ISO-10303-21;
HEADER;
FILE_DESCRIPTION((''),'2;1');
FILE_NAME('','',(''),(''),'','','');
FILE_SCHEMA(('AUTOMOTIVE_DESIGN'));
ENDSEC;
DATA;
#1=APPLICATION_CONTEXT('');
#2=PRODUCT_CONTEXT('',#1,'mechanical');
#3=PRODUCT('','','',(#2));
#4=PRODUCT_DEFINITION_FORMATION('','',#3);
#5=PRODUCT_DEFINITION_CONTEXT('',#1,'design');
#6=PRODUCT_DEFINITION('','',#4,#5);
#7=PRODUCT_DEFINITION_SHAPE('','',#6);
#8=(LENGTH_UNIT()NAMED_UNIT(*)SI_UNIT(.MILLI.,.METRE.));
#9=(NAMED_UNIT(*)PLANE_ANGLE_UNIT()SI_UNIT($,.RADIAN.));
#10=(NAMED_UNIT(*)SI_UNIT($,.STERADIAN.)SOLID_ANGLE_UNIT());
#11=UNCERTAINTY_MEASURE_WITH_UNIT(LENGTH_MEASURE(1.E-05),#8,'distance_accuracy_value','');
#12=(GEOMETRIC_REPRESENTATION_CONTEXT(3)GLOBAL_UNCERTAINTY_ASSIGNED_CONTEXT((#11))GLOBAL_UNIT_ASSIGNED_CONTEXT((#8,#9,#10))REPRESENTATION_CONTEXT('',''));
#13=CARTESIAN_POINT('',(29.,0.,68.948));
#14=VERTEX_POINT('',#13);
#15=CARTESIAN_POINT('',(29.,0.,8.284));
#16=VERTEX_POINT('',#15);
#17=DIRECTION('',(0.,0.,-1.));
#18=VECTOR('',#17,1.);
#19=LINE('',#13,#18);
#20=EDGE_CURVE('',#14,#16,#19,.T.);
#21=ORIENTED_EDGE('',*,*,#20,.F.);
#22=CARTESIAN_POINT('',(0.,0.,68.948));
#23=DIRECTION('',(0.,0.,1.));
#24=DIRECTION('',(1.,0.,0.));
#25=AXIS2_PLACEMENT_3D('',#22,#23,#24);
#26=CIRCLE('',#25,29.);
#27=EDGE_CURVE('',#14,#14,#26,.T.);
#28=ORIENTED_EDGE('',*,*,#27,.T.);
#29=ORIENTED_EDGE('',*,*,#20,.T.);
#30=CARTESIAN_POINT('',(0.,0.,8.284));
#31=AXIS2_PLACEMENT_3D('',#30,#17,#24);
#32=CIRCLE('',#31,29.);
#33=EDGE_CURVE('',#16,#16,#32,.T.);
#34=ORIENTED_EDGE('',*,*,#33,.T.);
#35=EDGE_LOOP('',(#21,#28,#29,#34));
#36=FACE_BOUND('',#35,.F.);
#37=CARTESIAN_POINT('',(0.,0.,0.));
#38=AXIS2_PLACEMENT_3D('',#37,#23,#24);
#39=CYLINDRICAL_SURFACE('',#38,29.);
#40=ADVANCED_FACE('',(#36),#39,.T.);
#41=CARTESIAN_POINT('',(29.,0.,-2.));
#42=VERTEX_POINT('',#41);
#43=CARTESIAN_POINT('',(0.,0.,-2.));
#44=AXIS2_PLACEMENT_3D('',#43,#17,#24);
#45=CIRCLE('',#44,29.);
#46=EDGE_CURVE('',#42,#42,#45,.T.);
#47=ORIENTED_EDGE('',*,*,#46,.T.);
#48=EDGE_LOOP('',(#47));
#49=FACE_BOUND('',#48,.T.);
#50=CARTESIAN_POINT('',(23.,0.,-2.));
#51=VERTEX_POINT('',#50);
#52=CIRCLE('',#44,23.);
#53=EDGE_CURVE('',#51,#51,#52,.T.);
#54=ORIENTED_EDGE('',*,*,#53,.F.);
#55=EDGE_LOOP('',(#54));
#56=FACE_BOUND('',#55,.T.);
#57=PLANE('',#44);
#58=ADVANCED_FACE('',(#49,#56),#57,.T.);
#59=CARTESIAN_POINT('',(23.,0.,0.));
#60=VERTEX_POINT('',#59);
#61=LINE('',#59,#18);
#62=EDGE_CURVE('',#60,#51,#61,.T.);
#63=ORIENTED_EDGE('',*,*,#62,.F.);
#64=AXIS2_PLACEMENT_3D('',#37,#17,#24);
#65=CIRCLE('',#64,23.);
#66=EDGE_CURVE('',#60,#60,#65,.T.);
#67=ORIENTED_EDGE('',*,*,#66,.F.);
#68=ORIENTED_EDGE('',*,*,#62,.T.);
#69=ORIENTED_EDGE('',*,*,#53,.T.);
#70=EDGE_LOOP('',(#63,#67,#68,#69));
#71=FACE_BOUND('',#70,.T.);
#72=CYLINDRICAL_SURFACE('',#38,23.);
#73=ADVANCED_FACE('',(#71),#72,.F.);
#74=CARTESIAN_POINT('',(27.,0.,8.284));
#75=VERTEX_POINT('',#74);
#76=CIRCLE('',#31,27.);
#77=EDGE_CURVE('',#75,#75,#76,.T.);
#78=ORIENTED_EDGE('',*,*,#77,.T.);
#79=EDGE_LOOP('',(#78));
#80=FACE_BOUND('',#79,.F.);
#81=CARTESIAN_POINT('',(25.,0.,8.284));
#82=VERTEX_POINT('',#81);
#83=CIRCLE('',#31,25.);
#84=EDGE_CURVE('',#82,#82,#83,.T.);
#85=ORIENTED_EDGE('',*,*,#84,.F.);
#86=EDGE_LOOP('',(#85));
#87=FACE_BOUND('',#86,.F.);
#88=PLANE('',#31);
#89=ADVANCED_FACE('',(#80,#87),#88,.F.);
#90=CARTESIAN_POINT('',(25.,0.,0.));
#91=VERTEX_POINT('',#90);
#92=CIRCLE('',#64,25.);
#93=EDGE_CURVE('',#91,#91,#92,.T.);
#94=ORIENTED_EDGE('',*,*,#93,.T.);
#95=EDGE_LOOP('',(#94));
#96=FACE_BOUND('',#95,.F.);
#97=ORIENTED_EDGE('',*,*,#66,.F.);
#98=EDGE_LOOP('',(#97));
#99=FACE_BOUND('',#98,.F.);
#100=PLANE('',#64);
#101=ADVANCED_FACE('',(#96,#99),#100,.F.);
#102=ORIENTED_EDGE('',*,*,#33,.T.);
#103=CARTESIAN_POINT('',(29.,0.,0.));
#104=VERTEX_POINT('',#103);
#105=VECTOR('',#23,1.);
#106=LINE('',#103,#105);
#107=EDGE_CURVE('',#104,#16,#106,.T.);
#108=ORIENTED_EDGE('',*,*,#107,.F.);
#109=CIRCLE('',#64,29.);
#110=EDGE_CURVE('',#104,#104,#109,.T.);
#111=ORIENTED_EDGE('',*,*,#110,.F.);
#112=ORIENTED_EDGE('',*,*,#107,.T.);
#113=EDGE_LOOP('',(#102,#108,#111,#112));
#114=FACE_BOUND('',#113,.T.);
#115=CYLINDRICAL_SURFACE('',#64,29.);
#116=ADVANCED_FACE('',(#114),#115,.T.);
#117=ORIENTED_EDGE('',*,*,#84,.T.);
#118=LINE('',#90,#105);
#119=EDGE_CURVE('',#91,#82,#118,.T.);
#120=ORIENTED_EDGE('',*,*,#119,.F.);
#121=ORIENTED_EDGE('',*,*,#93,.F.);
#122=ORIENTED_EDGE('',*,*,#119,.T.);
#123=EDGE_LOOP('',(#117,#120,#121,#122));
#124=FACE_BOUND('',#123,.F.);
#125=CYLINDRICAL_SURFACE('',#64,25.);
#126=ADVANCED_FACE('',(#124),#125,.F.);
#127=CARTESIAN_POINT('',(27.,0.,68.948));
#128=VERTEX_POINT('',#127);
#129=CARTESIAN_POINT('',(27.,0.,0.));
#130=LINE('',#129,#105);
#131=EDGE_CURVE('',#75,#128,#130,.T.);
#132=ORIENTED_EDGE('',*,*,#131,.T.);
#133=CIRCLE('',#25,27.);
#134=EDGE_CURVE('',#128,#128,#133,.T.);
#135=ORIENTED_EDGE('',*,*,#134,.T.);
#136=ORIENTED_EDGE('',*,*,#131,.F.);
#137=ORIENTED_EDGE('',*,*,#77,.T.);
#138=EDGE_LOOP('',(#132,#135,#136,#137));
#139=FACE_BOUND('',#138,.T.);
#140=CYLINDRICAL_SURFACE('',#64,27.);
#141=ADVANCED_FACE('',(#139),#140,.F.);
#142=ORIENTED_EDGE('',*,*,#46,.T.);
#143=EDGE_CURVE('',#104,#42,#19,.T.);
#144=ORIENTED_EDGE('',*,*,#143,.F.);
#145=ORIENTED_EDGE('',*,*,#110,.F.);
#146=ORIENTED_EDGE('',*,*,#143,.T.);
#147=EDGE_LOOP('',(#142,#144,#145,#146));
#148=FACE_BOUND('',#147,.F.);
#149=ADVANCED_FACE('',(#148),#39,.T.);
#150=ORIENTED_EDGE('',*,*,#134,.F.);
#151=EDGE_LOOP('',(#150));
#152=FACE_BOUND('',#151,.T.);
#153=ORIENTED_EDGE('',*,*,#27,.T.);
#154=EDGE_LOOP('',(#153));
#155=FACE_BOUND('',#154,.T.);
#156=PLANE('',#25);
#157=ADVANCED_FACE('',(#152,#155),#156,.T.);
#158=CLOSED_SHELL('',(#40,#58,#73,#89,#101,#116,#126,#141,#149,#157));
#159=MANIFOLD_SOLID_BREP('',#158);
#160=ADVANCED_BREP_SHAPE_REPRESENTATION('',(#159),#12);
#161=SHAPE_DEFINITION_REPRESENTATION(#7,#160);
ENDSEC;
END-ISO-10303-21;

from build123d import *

# Parameters (mm, degrees)
F1_R     = 29
F1_R_2   = 27
F2_DEPTH = 68.948
F3_R     = 29
F3_R_2   = 25
F3_R_3   = 23
F4_DEPTH = 2
F5_DEPTH = 8.284


with BuildPart() as f2:
    # F1 (on face) → F2 (new body)
    with BuildSketch(Plane.XY):
        Circle(F1_R)
        Circle(F1_R_2, mode=Mode.SUBTRACT)
    extrude(amount=F2_DEPTH)

    # F3 (on face) → F4 (join)
    with BuildSketch(Plane(origin=(0, 0, 0), x_dir=(1, 0, 0), z_dir=(0, 0, -1))):
        Circle(F3_R)
        Circle(F3_R_2, mode=Mode.SUBTRACT)
        Circle(F3_R_2)
        Circle(F3_R_3, mode=Mode.SUBTRACT)
    extrude(amount=F4_DEPTH)

    # F3 (on face) → F5 (join)
    with BuildSketch(Plane(origin=(0, 0, 0), x_dir=(1, 0, 0), z_dir=(0, 0, -1))):
        Circle(F3_R)
        Circle(F3_R_2, mode=Mode.SUBTRACT)
    extrude(amount=-F5_DEPTH)


solid = f2.part
